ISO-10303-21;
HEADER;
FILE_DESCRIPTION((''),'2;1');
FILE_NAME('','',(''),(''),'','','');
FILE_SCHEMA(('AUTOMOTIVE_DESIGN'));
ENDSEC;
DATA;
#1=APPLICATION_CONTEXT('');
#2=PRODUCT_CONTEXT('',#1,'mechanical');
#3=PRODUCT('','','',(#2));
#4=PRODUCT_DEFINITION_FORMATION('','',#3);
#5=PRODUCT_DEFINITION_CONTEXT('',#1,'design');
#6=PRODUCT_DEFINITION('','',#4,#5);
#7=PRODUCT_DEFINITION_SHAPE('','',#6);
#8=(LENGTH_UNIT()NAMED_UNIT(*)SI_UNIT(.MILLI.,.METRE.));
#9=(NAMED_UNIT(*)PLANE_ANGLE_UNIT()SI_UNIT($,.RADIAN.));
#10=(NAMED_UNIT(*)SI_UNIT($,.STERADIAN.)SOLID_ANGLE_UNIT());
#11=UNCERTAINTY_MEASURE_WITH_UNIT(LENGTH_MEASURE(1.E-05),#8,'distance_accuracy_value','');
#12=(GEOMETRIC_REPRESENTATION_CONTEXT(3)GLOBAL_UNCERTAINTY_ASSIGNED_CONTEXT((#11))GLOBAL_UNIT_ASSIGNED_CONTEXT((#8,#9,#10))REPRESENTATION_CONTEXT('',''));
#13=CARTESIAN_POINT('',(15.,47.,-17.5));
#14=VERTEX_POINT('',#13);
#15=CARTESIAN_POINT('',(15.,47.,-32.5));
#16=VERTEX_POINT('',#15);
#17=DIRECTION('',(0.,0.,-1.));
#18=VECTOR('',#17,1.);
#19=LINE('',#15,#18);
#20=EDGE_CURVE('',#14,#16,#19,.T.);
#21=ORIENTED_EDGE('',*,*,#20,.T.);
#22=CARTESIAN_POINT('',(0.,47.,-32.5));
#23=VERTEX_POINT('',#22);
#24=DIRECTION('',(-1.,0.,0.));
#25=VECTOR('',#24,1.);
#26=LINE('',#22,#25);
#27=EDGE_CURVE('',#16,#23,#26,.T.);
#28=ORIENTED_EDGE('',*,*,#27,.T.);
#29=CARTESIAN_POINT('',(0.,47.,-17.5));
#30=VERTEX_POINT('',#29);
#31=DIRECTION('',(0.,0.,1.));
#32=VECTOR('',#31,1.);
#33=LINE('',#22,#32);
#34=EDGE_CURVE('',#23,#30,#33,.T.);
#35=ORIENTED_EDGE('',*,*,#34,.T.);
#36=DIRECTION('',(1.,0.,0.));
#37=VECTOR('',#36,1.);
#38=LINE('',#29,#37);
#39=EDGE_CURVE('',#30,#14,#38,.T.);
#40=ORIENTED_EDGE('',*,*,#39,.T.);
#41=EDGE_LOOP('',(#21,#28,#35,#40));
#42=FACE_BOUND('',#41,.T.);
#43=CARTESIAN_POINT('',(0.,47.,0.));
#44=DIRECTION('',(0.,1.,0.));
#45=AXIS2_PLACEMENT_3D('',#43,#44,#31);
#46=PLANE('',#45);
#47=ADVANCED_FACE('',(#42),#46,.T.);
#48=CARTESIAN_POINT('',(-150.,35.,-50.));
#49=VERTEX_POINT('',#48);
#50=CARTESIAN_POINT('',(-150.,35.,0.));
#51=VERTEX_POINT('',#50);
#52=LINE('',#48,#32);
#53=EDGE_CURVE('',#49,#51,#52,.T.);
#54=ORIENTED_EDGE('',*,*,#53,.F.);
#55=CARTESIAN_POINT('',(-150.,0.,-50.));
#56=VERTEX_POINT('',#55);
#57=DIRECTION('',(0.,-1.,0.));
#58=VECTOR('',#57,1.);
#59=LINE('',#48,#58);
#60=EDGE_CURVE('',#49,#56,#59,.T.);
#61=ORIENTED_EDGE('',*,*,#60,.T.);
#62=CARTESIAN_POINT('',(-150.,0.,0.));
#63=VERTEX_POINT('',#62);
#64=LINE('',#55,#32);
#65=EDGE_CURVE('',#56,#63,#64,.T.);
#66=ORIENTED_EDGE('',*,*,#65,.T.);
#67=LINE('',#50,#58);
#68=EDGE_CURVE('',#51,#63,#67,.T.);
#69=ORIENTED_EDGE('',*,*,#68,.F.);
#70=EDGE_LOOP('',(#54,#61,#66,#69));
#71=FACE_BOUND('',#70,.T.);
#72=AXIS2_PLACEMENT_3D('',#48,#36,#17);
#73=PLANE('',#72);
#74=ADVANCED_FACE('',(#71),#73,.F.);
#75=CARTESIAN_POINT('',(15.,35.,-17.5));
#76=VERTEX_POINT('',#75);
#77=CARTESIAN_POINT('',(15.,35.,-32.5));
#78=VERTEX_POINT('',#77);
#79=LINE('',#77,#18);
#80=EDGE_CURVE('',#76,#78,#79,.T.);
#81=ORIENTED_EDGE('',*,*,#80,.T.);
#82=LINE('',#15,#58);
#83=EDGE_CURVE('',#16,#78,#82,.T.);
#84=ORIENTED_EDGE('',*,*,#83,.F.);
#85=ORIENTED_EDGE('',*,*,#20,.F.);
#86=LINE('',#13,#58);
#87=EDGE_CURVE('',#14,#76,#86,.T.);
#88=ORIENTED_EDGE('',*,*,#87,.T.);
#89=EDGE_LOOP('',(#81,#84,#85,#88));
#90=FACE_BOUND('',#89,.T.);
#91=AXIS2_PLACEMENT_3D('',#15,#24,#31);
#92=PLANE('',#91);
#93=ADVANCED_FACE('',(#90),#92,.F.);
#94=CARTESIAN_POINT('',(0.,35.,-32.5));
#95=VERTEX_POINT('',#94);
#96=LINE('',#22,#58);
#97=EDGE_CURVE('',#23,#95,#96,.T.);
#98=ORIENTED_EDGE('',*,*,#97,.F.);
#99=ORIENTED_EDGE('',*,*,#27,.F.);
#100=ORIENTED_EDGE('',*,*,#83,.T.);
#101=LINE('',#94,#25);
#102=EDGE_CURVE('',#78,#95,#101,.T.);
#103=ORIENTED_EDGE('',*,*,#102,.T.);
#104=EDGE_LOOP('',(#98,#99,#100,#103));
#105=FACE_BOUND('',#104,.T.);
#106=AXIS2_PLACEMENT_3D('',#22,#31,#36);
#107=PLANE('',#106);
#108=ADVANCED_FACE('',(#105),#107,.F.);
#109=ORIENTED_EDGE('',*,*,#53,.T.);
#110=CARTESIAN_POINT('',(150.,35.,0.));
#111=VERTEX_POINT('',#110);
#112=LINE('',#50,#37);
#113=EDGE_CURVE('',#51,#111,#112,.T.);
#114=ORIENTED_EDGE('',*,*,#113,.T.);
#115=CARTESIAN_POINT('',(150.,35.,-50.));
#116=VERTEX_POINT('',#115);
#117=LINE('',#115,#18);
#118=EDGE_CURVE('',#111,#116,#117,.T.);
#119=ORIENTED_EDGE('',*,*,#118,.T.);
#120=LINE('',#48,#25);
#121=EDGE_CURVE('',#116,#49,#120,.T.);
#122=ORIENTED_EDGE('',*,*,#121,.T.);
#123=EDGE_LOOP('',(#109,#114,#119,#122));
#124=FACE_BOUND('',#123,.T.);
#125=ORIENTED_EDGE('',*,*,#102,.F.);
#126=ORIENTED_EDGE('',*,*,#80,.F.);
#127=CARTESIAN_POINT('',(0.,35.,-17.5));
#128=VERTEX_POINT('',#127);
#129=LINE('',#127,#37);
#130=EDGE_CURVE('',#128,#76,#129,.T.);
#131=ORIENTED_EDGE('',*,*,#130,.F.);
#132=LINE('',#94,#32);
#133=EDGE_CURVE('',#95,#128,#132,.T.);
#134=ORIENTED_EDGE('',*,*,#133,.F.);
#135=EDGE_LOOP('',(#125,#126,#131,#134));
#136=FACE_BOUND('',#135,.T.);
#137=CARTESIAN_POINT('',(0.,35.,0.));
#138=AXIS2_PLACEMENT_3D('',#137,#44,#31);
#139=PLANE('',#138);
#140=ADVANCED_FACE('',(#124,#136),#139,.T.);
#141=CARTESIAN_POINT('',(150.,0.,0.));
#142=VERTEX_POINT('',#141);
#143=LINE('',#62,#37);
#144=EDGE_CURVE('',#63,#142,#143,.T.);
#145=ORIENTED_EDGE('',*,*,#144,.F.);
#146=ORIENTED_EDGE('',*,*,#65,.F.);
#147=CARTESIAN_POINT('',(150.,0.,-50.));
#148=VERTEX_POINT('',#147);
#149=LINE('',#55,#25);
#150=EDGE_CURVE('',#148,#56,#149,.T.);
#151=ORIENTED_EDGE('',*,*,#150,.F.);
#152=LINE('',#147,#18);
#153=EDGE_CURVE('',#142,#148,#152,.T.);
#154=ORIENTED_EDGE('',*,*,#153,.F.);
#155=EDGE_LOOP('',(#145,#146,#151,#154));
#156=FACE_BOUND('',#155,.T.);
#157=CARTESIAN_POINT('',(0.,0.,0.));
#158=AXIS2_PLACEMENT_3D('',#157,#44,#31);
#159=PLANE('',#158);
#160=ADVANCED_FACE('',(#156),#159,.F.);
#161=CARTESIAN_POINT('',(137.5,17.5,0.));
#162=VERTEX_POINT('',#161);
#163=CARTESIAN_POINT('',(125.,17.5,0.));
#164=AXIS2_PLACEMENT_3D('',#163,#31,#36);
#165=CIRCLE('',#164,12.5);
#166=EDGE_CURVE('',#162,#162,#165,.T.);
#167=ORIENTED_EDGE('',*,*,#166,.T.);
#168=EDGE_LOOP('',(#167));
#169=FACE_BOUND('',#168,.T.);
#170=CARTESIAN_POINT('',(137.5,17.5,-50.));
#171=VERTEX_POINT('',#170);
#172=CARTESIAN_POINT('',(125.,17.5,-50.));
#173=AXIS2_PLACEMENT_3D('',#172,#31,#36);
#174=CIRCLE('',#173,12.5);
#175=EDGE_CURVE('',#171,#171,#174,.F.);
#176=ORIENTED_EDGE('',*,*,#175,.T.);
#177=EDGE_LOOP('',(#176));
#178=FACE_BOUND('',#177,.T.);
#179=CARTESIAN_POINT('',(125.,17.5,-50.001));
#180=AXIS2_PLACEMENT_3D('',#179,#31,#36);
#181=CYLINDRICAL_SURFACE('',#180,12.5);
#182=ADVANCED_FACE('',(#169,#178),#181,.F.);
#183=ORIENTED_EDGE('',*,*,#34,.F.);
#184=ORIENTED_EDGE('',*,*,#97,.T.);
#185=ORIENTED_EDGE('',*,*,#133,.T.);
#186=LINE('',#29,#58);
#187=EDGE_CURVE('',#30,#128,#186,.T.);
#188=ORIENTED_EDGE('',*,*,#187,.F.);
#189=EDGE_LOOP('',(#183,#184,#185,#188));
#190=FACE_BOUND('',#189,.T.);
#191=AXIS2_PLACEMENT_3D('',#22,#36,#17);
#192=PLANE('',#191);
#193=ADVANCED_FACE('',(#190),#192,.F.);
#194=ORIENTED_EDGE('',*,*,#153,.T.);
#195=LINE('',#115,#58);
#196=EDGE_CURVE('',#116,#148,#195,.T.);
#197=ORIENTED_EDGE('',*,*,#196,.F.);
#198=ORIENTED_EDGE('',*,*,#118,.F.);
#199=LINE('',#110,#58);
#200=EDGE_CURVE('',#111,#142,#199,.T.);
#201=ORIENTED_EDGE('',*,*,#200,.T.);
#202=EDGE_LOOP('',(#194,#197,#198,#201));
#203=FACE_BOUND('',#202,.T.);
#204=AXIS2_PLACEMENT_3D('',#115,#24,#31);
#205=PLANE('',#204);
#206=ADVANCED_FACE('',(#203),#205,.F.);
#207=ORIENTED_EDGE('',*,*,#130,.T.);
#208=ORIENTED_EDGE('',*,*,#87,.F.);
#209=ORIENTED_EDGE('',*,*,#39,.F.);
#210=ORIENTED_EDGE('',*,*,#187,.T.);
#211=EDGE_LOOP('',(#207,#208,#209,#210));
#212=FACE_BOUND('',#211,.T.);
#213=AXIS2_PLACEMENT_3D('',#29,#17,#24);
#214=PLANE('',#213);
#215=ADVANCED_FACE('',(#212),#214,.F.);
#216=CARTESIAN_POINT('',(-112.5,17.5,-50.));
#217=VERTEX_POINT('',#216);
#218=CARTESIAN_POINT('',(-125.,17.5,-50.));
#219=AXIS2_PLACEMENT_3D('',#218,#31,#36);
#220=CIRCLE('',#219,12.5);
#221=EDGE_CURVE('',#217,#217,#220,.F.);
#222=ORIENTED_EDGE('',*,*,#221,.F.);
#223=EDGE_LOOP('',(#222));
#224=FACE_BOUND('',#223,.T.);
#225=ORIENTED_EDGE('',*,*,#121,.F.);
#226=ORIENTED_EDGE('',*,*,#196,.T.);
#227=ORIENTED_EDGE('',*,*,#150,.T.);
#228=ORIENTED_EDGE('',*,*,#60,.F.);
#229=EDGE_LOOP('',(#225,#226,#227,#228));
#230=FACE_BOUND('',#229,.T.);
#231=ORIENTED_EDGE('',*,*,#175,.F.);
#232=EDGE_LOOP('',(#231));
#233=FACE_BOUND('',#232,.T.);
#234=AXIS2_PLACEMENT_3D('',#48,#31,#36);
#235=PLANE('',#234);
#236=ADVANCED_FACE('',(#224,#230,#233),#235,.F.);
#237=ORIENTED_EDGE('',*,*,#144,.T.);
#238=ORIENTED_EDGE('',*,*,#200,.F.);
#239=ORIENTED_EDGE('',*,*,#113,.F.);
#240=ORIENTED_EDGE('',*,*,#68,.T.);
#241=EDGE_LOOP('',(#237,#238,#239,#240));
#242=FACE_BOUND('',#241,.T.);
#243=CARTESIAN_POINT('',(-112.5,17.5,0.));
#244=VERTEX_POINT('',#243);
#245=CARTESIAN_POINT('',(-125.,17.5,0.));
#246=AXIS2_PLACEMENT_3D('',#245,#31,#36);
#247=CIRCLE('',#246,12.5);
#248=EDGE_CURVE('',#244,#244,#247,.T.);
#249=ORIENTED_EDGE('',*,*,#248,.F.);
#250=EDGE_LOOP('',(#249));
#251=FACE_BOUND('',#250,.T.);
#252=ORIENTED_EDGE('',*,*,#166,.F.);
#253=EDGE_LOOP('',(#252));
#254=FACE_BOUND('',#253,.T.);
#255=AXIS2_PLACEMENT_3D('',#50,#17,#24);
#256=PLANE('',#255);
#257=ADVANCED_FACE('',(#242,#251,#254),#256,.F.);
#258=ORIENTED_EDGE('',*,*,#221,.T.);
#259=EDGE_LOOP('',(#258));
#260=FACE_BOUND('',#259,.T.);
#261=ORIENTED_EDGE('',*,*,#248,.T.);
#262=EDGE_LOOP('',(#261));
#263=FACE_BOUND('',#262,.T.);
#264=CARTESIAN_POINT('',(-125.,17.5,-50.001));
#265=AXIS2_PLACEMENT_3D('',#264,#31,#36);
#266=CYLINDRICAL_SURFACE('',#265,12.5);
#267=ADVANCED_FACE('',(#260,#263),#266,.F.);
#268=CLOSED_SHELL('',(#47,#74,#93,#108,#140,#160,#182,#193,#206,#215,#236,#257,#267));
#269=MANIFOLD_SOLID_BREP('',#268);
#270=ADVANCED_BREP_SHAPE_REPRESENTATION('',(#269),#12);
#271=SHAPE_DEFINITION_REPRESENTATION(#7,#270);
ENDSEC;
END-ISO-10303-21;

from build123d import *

# Parameters (mm, degrees)
SKETCH1_W           = 300
SKETCH1_H           = 50
BOSS_EXTRUDE1_DEPTH = 35
SKETCH2_W           = 15
SKETCH2_H           = 15
BOSS_EXTRUDE2_DEPTH = 12
CUT_EXTRUDE1_REACH  = 166.952
SKETCH3_R           = 12.5


with BuildPart() as part:
    # Sketch1 → Boss-Extrude1 (new body)
    with BuildSketch(Plane(origin=(0, 0, 0), x_dir=(1, 0, 0), z_dir=(0, 1, 0))):
        with Locations((0, 25)):
            Rectangle(SKETCH1_W, SKETCH1_H)
    extrude(amount=BOSS_EXTRUDE1_DEPTH)

    # Sketch2 → Boss-Extrude2 (add)
    with BuildSketch(Plane(origin=(0, 35, 0), x_dir=(1, 0, 0), z_dir=(0, 1, 0))):
        with Locations((7.5, 25)):
            Rectangle(SKETCH2_W, SKETCH2_H)
    extrude(amount=BOSS_EXTRUDE2_DEPTH)

    # Sketch3 → Cut-Extrude1 (cut, up to next)
    with BuildSketch(Plane.XY, mode=Mode.PRIVATE) as cut_extrude1_sk1:
        with Locations((-125, 17.5)):
            Circle(SKETCH3_R)
    cut_extrude1_tool1 = extrude(cut_extrude1_sk1.sketch, amount=-CUT_EXTRUDE1_REACH, mode=Mode.PRIVATE) & part.part
    # Sketch3 → Cut-Extrude1 (cut, up to next)
    with BuildSketch(Plane.XY, mode=Mode.PRIVATE) as cut_extrude1_sk2:
        with Locations((125, 17.5)):
            Circle(SKETCH3_R)
    cut_extrude1_tool2 = extrude(cut_extrude1_sk2.sketch, amount=-CUT_EXTRUDE1_REACH, mode=Mode.PRIVATE) & part.part
    add(cut_extrude1_tool1.solids().sort_by_distance((-125, 17.5, 0))[0], mode=Mode.SUBTRACT)
    add(cut_extrude1_tool2.solids().sort_by_distance((125, 17.5, 0))[0], mode=Mode.SUBTRACT)


solid = part.part
